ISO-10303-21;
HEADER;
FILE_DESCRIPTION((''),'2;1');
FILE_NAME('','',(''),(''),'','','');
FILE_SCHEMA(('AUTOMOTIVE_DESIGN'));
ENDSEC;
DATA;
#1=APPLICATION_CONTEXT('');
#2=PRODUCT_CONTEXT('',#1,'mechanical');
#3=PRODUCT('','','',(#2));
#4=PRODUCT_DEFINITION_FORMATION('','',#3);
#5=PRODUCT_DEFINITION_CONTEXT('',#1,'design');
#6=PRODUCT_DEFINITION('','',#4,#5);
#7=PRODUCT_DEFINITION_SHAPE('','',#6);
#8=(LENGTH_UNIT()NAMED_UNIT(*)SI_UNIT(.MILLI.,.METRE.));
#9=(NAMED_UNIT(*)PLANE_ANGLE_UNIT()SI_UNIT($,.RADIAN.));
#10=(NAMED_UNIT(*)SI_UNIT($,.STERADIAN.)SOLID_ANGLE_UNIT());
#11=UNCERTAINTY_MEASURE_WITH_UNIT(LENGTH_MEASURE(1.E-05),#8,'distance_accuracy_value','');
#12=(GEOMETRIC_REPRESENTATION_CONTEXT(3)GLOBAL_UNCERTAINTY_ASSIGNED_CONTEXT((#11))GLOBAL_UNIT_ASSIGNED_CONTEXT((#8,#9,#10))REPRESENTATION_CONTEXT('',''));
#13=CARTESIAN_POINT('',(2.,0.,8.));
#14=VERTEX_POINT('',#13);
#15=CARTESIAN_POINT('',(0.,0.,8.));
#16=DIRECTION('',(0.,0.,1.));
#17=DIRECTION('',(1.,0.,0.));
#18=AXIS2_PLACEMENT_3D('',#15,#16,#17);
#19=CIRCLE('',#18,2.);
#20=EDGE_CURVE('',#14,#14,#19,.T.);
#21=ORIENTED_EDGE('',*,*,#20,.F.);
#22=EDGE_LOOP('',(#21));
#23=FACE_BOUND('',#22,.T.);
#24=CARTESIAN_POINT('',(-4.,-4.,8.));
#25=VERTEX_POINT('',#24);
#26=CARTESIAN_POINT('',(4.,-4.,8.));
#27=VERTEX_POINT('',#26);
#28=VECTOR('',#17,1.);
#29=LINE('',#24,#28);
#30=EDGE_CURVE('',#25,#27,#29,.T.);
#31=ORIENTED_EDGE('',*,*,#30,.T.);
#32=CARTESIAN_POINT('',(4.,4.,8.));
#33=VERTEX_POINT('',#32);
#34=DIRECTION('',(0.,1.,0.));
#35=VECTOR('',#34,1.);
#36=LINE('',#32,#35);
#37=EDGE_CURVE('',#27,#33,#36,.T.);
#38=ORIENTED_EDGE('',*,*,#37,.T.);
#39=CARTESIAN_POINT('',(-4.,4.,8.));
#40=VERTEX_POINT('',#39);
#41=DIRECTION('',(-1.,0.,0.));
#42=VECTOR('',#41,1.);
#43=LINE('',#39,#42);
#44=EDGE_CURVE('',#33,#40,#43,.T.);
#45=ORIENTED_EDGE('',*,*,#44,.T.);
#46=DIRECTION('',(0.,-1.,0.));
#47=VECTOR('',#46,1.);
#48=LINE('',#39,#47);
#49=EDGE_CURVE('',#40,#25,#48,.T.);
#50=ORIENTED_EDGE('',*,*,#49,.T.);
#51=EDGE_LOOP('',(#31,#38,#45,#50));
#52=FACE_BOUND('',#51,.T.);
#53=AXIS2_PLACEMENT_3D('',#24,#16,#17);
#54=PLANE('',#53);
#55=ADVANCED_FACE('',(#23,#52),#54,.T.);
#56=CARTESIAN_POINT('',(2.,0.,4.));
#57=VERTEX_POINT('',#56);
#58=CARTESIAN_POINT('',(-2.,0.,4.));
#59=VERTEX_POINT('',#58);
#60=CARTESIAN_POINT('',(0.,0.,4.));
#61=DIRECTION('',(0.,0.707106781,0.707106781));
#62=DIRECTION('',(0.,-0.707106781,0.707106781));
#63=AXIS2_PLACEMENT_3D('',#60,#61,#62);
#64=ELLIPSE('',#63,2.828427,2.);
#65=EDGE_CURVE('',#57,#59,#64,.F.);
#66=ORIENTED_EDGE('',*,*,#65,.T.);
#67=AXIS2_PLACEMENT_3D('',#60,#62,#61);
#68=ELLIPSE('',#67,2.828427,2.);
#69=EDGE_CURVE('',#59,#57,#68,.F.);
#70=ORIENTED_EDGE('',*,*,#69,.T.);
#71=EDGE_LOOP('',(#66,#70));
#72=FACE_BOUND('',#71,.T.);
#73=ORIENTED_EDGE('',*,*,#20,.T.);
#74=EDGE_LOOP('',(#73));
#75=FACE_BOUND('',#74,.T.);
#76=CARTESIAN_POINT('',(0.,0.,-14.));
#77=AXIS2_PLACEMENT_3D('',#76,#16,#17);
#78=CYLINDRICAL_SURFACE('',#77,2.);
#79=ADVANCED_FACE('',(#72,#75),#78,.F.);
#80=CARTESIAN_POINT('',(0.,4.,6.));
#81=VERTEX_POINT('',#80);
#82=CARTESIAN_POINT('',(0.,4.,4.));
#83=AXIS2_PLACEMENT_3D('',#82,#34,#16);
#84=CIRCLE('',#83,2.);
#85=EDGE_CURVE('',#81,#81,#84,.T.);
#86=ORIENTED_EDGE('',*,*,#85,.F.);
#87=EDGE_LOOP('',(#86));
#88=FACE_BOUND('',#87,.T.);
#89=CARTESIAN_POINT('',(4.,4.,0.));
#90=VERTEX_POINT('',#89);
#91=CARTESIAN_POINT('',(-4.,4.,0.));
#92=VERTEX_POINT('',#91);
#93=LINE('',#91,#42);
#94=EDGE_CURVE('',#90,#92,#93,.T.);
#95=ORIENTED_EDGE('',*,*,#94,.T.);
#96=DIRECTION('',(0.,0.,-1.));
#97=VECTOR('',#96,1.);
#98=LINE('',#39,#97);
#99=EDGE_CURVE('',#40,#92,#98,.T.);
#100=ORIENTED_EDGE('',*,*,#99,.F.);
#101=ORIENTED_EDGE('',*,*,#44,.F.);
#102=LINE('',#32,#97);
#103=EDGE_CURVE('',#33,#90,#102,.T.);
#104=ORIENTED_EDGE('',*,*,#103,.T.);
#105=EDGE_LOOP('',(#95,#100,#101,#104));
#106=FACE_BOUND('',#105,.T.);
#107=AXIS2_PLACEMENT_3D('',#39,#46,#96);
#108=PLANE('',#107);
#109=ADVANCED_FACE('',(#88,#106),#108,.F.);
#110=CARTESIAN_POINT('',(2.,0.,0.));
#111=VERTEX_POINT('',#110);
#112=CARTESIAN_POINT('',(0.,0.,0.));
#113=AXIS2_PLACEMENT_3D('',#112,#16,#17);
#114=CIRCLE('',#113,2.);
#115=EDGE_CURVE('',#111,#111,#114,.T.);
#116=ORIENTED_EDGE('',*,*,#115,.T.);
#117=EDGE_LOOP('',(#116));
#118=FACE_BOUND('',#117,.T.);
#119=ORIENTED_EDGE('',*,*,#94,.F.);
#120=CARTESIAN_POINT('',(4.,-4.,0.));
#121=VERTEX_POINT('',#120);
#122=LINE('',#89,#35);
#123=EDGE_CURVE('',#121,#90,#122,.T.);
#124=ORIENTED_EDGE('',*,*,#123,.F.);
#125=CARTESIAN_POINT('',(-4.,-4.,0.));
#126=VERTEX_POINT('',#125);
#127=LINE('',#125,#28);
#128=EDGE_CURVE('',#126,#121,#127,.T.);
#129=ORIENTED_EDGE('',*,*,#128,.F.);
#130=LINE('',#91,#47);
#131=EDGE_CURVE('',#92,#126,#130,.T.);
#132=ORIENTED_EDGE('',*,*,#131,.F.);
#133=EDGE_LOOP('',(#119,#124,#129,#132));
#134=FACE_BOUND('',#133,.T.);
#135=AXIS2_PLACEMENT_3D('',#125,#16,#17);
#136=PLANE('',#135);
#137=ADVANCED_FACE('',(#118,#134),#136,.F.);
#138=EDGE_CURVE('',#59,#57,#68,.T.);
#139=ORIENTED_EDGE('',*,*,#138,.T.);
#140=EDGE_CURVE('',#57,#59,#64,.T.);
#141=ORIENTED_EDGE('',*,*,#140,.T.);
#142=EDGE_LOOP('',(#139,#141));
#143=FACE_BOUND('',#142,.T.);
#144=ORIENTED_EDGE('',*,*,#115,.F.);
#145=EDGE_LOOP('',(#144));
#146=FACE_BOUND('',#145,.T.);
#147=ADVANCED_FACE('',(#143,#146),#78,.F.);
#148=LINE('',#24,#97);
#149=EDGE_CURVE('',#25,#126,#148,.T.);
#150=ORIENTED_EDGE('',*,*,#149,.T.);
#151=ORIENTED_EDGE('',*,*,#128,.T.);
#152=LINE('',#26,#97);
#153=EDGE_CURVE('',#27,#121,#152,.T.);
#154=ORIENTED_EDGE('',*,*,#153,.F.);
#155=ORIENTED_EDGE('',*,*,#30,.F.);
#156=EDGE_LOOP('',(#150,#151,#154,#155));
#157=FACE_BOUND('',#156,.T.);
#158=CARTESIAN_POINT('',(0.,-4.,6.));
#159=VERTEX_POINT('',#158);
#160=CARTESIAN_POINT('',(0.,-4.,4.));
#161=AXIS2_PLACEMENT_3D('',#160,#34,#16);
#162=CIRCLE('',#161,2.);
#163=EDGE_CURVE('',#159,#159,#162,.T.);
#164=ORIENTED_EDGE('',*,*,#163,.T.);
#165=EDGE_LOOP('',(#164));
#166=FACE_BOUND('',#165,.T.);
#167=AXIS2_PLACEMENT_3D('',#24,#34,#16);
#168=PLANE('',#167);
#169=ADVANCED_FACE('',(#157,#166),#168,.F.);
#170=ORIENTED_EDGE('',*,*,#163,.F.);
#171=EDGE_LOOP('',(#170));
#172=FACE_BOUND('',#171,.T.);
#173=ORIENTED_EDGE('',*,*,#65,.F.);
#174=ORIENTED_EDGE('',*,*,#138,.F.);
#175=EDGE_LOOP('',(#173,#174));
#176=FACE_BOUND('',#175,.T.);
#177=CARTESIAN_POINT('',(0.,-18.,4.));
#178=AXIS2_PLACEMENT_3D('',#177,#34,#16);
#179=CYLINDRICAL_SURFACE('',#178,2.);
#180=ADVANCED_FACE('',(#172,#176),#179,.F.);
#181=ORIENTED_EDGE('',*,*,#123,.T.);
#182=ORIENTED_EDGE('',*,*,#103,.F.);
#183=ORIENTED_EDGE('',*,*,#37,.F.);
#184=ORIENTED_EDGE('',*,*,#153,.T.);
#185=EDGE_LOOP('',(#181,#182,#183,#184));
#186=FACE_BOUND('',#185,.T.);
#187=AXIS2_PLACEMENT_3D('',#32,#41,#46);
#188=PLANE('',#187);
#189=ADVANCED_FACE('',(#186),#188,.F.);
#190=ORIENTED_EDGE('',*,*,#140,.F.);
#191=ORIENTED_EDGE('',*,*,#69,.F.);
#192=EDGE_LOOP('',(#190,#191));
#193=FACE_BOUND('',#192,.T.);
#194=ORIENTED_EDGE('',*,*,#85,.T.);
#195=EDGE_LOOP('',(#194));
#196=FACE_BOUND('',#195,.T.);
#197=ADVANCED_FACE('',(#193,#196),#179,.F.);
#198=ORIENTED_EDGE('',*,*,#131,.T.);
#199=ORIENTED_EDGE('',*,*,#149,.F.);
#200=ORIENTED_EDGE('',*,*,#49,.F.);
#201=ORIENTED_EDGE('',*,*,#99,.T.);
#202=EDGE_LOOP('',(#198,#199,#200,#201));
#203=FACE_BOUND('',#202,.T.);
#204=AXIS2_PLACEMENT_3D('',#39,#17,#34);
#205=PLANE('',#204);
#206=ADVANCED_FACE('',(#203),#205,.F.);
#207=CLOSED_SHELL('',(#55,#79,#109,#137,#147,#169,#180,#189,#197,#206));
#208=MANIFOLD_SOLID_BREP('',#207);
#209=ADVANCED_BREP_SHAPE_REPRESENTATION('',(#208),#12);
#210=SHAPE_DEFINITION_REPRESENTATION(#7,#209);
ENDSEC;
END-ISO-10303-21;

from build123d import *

# Parameters (mm, degrees)
SKETCH_1_W          = 8
SKETCH_1_H          = 8
EXTRUDE_1_DEPTH     = 8
SKETCH_2_R          = 2
CUT_EXTRUDE_1_DEPTH = 22
SKETCH_3_R          = 2
CUT_EXTRUDE_2_DEPTH = 22


with BuildPart() as part:
    # 草图1 → 拉伸1 (new body)
    with BuildSketch(Plane.XY):
        Rectangle(SKETCH_1_W, SKETCH_1_H)
    extrude(amount=EXTRUDE_1_DEPTH)

    # 草图2 → 切除-拉伸1 (cut)
    with BuildSketch(Plane.XY.offset(8)):
        Circle(SKETCH_2_R)
    extrude(amount=-CUT_EXTRUDE_1_DEPTH, mode=Mode.SUBTRACT)

    # 草图3 → 切除-拉伸2 (cut)
    with BuildSketch(Plane(origin=(0, 4, 0), x_dir=(-1, 0, 0), z_dir=(0, 1, 0))):
        with Locations(Location((0, 4, 0), (0, 0, 90))):
            Circle(SKETCH_3_R)
    extrude(amount=-CUT_EXTRUDE_2_DEPTH, mode=Mode.SUBTRACT)


solid = part.part
